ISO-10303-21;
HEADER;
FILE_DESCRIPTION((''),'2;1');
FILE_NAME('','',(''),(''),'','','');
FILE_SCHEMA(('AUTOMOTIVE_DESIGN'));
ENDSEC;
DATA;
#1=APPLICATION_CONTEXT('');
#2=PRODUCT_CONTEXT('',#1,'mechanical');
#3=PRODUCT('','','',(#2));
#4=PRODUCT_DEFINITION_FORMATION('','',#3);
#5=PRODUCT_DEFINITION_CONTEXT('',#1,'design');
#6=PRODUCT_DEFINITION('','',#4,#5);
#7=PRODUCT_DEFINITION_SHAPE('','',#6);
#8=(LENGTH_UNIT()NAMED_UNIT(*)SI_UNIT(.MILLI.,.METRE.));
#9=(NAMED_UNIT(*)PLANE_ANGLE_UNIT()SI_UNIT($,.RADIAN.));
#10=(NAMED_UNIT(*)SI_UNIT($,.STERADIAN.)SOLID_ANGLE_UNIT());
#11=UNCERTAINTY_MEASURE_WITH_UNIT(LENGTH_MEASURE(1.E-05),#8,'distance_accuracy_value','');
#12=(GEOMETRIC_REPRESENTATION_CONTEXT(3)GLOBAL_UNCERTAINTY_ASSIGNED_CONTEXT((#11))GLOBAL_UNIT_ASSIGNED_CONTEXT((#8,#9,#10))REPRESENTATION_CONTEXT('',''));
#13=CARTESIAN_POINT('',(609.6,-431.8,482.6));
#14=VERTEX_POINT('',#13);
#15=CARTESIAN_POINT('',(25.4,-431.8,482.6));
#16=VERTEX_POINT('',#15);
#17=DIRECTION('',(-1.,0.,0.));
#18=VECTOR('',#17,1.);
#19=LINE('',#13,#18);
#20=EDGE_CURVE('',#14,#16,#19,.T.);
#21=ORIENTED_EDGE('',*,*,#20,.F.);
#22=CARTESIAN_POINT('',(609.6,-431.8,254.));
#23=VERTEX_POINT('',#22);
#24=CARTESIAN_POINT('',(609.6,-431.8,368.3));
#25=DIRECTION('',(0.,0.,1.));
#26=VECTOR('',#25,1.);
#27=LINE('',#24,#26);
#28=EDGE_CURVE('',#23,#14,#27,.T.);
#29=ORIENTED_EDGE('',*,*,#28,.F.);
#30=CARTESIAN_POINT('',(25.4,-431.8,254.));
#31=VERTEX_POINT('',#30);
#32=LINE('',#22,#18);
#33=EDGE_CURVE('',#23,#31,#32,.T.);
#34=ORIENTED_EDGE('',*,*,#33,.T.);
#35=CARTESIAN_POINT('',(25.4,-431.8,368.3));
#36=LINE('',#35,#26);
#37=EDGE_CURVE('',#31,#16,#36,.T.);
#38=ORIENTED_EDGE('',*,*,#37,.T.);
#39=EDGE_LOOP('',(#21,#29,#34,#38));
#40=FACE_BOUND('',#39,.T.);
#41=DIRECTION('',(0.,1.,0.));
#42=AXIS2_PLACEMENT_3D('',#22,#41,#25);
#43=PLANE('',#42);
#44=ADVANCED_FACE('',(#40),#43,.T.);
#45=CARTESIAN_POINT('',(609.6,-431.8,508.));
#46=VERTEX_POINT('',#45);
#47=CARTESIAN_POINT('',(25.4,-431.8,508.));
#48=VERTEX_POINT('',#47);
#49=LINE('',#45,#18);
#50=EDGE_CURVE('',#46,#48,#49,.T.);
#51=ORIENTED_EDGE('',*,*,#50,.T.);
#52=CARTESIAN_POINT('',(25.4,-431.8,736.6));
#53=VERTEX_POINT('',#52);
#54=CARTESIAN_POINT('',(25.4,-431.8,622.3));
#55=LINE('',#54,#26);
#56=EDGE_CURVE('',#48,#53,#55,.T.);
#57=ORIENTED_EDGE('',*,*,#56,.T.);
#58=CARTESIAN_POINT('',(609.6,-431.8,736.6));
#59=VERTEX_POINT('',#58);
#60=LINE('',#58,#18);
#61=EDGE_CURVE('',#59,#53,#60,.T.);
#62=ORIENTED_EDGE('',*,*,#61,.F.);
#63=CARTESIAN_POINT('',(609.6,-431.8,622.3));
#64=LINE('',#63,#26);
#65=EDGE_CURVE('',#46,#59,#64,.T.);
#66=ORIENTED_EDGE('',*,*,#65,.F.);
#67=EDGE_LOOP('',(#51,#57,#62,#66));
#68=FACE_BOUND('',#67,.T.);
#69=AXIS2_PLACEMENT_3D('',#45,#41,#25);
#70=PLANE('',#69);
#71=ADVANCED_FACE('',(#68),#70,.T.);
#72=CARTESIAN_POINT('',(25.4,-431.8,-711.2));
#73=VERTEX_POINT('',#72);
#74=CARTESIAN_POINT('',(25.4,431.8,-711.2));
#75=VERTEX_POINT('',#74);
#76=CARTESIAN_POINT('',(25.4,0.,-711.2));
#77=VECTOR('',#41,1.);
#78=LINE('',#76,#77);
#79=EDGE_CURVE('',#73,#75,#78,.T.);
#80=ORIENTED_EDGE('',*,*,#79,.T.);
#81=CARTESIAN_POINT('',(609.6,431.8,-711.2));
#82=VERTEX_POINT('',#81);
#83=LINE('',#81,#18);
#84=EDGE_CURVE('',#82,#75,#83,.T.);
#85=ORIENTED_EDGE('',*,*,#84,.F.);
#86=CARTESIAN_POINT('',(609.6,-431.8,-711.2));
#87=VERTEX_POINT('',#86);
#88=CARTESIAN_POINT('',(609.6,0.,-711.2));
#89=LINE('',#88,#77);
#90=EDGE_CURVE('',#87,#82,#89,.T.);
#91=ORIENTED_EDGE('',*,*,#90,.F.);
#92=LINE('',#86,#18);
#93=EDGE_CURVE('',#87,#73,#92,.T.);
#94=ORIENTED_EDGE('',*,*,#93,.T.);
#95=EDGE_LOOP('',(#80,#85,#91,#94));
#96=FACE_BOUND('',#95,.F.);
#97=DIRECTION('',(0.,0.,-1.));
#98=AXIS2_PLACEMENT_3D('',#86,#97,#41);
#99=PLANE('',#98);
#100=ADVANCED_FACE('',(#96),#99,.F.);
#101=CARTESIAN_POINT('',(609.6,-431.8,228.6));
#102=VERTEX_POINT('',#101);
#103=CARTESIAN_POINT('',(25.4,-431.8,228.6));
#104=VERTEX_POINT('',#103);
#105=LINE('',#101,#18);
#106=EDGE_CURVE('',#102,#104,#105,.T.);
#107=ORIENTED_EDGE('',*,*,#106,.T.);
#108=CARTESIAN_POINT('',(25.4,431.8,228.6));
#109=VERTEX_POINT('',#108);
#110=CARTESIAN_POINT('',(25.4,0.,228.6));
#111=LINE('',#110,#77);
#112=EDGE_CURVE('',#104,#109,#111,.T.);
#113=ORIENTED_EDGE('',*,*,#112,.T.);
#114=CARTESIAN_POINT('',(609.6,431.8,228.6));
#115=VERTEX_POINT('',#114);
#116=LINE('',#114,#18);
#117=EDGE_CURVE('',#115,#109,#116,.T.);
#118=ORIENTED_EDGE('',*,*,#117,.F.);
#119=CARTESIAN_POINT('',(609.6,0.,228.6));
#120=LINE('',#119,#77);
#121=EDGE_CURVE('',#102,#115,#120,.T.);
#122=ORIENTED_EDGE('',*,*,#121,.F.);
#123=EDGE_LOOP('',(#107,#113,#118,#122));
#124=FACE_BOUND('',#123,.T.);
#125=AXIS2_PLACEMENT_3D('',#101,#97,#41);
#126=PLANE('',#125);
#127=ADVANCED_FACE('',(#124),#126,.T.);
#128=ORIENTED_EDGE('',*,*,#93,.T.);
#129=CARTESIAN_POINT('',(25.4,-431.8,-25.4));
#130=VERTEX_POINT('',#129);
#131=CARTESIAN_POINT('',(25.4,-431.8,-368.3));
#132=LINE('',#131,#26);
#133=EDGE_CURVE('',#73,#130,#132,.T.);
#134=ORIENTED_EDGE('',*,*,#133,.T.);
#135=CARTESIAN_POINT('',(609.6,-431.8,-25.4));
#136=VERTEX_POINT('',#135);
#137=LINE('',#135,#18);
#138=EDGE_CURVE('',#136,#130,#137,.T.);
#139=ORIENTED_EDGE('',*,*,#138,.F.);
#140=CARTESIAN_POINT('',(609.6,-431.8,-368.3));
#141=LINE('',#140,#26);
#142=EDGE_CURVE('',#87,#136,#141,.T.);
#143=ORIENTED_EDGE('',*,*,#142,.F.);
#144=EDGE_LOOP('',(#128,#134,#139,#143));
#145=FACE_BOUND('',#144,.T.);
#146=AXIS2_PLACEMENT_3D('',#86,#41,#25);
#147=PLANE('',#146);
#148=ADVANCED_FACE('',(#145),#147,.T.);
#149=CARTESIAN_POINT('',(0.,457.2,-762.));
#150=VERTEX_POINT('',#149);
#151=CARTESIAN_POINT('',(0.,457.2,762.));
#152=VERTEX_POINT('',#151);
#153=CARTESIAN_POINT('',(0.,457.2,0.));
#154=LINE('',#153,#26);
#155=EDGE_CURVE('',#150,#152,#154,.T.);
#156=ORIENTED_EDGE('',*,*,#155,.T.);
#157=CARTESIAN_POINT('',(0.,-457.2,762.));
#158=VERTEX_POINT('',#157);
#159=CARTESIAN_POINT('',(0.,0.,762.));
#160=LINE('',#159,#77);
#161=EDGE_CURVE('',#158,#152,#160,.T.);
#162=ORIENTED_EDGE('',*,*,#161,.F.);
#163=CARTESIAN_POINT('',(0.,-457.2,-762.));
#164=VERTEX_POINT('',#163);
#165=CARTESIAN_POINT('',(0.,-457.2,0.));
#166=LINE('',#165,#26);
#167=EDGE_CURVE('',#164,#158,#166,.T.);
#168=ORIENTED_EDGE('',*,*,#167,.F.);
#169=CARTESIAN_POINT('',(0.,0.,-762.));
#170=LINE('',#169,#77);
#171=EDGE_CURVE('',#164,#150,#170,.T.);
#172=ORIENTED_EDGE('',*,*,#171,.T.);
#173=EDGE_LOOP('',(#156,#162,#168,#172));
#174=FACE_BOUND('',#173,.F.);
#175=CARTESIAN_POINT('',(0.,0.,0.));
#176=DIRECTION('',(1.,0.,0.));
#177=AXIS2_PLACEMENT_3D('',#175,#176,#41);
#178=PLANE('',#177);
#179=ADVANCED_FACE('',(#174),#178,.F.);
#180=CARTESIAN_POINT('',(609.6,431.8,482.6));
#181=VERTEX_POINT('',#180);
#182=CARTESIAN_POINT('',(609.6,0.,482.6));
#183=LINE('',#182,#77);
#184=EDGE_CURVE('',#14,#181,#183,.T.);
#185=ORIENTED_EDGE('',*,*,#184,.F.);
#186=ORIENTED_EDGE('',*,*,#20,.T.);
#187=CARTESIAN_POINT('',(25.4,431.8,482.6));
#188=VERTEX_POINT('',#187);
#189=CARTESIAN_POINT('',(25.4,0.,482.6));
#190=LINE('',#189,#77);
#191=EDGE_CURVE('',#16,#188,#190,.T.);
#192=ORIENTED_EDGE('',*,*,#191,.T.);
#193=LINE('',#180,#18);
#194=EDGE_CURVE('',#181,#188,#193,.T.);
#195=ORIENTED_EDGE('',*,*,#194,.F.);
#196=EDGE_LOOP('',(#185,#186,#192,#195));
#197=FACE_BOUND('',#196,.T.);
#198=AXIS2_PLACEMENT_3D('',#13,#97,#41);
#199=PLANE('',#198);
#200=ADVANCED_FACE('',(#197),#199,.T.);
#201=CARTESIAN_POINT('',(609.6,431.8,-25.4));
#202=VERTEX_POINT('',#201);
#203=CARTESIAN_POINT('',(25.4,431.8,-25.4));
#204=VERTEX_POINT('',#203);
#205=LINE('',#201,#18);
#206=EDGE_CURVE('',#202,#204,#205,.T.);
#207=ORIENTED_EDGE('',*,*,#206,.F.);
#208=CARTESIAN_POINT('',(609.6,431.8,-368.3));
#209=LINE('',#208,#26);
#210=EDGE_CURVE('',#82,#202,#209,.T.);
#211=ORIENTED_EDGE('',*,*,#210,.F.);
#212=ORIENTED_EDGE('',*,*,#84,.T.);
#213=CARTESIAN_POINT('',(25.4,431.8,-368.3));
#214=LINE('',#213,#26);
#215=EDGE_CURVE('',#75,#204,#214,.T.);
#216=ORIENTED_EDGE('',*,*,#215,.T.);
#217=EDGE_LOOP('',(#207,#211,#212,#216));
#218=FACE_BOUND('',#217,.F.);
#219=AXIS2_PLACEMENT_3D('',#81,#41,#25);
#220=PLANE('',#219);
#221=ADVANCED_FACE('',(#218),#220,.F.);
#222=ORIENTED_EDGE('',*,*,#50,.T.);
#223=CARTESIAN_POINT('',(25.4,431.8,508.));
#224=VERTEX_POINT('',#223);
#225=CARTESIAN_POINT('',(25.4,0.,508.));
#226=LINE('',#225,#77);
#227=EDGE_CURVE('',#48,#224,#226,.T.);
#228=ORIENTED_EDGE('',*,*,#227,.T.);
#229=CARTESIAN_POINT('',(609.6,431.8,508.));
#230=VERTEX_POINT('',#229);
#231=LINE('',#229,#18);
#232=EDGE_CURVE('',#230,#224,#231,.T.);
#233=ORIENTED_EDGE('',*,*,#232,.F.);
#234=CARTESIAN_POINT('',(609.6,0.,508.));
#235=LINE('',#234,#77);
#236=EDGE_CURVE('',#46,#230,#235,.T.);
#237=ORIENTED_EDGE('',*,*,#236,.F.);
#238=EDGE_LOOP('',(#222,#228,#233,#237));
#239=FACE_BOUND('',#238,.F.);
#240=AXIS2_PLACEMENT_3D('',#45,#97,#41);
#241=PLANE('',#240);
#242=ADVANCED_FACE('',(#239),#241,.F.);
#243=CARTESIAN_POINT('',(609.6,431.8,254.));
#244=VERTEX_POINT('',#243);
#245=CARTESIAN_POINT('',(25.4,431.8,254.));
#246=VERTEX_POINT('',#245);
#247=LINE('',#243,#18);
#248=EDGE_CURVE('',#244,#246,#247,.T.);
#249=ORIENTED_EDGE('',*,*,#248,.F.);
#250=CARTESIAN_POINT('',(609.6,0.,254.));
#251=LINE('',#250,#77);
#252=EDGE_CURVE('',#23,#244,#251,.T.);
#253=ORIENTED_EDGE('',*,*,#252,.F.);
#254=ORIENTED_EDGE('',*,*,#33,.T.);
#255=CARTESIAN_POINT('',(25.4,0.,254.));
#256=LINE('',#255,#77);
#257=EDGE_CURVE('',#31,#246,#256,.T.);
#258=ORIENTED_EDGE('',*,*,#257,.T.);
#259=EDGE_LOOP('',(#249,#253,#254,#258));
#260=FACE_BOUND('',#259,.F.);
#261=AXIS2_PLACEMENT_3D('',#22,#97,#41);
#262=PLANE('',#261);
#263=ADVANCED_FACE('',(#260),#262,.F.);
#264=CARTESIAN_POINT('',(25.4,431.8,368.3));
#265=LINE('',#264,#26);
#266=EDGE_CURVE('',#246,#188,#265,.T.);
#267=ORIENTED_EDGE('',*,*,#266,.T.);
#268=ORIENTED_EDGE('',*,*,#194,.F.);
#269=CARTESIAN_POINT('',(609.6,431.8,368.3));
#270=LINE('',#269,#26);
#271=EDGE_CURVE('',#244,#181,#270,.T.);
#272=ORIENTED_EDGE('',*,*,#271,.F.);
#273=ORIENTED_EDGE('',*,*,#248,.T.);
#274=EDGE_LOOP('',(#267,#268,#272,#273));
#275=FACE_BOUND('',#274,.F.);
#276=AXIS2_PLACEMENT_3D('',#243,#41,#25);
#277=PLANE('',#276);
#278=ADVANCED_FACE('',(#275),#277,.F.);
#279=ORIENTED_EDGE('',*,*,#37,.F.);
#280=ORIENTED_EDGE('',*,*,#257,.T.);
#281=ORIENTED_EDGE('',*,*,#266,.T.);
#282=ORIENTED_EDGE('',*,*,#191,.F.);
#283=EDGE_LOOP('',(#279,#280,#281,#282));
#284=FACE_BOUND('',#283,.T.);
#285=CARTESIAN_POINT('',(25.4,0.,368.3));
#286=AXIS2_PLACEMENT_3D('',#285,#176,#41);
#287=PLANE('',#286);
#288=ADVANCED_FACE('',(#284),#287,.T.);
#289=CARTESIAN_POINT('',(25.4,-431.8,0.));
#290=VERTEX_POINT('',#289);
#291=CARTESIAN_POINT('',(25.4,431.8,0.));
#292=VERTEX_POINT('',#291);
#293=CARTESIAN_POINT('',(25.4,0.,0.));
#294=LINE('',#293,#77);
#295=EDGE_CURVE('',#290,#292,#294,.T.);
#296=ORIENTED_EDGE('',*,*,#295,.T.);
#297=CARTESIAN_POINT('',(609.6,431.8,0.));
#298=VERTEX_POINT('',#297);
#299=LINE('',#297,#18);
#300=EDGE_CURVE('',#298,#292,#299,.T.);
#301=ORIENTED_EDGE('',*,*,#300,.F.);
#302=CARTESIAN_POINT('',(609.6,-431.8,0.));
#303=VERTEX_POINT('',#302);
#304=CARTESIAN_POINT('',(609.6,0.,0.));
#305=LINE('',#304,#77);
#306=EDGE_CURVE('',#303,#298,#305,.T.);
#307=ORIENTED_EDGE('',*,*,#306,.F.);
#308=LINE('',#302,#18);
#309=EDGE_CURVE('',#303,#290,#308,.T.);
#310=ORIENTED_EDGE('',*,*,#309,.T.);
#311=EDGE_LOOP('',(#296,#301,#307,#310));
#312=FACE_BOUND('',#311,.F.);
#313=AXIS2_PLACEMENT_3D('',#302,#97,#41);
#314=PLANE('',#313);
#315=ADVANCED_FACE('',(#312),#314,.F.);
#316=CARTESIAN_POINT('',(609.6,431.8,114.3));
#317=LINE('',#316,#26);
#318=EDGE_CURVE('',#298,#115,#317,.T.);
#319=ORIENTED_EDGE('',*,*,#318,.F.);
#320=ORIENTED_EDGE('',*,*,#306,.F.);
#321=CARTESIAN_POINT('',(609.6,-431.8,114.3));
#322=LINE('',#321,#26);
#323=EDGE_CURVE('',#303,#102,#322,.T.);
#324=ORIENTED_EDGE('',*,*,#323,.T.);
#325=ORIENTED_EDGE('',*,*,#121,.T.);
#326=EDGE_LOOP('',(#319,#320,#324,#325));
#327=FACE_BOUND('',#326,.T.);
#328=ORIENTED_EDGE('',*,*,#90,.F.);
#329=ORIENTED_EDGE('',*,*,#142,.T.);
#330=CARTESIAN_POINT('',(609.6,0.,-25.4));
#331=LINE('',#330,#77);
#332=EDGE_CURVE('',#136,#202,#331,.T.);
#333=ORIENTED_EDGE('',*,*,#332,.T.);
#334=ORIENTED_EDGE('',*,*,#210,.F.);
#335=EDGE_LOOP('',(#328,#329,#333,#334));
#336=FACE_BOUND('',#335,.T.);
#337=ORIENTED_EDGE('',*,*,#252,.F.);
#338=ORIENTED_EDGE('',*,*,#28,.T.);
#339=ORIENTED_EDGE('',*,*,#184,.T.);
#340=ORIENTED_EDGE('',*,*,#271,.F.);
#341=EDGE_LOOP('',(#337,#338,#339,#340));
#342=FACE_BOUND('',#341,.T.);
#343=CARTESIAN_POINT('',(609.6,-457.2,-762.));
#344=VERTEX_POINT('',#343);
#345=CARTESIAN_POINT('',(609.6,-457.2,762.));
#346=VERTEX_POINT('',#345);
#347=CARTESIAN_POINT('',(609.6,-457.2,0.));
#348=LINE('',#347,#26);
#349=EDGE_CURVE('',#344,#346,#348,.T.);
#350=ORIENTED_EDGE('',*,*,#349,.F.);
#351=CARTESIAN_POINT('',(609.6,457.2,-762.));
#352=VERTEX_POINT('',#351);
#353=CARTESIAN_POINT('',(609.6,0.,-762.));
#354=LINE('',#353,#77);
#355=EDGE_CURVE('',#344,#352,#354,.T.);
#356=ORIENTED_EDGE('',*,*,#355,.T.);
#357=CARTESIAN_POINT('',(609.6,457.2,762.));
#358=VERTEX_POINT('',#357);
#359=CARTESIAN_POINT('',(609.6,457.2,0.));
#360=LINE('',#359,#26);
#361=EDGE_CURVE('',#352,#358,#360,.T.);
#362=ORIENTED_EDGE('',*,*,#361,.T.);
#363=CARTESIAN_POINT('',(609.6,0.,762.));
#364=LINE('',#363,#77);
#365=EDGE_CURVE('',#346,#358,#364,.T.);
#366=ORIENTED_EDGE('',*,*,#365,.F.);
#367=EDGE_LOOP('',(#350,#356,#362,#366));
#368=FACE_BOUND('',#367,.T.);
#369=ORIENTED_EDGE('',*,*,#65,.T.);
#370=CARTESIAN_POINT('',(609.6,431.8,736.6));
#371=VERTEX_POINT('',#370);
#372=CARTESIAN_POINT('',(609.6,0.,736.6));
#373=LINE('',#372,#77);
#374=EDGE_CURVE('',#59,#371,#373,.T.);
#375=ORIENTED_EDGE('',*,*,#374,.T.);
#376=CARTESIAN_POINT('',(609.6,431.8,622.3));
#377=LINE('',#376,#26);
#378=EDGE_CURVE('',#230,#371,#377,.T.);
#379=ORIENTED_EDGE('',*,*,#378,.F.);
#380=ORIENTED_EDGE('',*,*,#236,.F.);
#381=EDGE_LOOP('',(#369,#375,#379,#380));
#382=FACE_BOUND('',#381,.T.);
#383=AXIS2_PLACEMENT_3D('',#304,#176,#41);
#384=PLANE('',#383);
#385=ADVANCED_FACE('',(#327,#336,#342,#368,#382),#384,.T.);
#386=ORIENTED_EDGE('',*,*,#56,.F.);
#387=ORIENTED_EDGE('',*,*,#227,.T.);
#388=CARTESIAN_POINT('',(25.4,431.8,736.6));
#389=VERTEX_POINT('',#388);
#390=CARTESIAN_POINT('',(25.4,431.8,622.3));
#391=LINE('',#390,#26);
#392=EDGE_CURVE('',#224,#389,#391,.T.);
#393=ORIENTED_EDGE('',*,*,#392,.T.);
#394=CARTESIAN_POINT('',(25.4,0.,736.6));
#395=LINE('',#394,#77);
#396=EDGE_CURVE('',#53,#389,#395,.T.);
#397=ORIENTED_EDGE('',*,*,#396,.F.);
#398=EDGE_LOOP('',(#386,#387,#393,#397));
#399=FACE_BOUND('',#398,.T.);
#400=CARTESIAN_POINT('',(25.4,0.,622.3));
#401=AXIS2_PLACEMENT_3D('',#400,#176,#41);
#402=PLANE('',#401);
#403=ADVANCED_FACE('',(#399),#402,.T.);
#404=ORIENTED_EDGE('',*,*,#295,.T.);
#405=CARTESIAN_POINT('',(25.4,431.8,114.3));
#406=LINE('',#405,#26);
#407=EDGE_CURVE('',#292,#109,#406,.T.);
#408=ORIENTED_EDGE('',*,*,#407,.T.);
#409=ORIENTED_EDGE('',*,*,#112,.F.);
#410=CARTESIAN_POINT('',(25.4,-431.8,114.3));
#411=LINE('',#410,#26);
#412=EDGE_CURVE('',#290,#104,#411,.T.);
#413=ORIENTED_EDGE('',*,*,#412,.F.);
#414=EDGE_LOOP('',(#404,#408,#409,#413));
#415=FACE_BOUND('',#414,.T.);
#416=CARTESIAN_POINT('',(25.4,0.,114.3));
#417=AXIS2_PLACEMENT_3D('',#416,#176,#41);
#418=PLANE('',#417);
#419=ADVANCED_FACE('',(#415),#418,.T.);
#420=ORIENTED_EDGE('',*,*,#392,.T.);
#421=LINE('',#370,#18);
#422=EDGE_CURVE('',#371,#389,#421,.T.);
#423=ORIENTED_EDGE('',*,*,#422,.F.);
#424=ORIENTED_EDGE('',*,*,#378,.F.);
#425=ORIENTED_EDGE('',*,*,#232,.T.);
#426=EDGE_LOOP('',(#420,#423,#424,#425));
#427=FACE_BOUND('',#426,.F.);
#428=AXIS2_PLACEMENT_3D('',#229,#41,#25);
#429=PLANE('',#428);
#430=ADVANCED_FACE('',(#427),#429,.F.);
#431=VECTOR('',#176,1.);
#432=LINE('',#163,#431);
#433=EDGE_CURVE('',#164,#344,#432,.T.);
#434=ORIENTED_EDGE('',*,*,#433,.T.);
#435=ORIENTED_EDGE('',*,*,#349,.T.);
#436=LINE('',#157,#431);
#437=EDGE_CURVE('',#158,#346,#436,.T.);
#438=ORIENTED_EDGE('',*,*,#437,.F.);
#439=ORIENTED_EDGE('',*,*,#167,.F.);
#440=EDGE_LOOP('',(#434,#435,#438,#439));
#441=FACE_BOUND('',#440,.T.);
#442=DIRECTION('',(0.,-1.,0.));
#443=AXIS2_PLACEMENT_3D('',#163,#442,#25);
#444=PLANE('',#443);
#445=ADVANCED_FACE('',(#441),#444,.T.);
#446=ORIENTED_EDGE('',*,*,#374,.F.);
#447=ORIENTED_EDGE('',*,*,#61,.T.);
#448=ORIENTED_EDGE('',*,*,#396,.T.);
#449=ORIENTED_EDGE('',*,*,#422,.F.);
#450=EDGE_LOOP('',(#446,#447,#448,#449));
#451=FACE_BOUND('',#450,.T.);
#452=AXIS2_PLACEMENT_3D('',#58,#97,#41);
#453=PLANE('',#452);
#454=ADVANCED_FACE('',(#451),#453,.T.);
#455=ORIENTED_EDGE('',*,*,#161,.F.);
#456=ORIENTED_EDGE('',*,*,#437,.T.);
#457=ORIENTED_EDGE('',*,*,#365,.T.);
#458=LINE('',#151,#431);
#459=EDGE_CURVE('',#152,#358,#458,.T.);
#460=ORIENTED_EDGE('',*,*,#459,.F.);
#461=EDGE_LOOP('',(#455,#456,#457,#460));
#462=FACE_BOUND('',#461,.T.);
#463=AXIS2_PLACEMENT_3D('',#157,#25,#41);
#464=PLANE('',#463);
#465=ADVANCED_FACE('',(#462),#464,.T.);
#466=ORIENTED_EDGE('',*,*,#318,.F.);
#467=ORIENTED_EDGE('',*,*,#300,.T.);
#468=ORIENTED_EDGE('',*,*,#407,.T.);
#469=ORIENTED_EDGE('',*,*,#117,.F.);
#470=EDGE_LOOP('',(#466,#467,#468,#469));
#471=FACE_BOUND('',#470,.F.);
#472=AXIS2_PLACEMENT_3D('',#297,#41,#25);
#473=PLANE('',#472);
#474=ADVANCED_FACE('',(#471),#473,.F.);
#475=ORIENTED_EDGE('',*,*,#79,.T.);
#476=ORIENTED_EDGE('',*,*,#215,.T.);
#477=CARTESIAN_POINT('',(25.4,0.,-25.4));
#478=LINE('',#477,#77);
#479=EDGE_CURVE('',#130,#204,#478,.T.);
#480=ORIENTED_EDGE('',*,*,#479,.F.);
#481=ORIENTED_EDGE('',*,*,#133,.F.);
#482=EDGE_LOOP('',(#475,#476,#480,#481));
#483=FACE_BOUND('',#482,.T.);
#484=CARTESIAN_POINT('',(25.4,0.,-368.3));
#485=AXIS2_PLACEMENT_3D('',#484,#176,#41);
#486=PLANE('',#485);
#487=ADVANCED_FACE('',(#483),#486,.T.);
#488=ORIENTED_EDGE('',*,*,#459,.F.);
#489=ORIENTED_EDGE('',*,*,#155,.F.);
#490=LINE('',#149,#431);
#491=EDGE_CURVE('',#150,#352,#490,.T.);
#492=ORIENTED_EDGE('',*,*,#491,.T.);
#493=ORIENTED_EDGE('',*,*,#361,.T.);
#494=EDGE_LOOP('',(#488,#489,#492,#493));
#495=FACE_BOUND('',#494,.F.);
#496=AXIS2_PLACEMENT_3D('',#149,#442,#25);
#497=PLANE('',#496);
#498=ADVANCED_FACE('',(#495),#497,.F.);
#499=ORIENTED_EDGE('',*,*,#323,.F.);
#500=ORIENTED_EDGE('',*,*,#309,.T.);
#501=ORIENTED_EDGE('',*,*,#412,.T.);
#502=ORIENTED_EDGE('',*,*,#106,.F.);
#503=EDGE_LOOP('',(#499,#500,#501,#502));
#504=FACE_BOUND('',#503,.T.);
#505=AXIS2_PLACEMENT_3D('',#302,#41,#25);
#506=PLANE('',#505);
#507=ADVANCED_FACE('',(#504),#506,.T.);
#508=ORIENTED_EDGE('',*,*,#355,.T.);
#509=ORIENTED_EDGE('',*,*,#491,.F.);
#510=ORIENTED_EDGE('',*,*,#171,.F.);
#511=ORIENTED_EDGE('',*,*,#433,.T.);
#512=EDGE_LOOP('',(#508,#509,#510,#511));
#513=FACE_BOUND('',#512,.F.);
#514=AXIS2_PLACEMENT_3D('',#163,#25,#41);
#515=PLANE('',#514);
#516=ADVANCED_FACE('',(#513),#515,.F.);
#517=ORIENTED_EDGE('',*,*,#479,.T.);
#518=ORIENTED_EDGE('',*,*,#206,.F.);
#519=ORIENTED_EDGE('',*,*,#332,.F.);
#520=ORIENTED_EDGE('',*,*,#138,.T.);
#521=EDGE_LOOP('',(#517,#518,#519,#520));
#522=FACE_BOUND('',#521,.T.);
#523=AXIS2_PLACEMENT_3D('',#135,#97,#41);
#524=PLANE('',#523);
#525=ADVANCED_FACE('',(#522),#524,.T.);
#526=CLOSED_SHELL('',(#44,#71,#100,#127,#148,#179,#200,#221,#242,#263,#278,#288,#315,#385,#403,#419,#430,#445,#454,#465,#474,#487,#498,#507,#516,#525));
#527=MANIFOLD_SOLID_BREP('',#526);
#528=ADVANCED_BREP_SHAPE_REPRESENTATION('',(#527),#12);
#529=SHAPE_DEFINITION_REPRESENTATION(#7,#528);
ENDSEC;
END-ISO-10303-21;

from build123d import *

# Parameters (mm, degrees)
F0_W     = 914.4
F0_H     = 1524
F1_DEPTH = 609.6
F2_W     = 863.6
F2_H     = 228.6
F3_DEPTH = 584.2
F4_W     = 863.6
F4_H     = 685.8
F5_DEPTH = 584.2


with BuildPart() as f1:
    # F0 (on Right) → F1 (new body)
    with BuildSketch(Plane.YZ):
        Rectangle(F0_W, F0_H)
    extrude(amount=F1_DEPTH)

    # F2 (on face) → F3 (cut)
    with BuildSketch(Plane.YZ.offset(609.6)):
        with Locations((0, 622.3)):
            Rectangle(F2_W, F2_H)
        with Locations((0, 368.3)):
            Rectangle(F2_W, F2_H)
        with Locations((0, 114.3)):
            Rectangle(F2_W, F2_H)
    extrude(amount=-F3_DEPTH, mode=Mode.SUBTRACT)

    # F4 (on face) → F5 (cut)
    with BuildSketch(Plane.YZ.offset(609.6)):
        with Locations((0, -368.3)):
            Rectangle(F4_W, F4_H)
    extrude(amount=-F5_DEPTH, mode=Mode.SUBTRACT)


solid = f1.part
